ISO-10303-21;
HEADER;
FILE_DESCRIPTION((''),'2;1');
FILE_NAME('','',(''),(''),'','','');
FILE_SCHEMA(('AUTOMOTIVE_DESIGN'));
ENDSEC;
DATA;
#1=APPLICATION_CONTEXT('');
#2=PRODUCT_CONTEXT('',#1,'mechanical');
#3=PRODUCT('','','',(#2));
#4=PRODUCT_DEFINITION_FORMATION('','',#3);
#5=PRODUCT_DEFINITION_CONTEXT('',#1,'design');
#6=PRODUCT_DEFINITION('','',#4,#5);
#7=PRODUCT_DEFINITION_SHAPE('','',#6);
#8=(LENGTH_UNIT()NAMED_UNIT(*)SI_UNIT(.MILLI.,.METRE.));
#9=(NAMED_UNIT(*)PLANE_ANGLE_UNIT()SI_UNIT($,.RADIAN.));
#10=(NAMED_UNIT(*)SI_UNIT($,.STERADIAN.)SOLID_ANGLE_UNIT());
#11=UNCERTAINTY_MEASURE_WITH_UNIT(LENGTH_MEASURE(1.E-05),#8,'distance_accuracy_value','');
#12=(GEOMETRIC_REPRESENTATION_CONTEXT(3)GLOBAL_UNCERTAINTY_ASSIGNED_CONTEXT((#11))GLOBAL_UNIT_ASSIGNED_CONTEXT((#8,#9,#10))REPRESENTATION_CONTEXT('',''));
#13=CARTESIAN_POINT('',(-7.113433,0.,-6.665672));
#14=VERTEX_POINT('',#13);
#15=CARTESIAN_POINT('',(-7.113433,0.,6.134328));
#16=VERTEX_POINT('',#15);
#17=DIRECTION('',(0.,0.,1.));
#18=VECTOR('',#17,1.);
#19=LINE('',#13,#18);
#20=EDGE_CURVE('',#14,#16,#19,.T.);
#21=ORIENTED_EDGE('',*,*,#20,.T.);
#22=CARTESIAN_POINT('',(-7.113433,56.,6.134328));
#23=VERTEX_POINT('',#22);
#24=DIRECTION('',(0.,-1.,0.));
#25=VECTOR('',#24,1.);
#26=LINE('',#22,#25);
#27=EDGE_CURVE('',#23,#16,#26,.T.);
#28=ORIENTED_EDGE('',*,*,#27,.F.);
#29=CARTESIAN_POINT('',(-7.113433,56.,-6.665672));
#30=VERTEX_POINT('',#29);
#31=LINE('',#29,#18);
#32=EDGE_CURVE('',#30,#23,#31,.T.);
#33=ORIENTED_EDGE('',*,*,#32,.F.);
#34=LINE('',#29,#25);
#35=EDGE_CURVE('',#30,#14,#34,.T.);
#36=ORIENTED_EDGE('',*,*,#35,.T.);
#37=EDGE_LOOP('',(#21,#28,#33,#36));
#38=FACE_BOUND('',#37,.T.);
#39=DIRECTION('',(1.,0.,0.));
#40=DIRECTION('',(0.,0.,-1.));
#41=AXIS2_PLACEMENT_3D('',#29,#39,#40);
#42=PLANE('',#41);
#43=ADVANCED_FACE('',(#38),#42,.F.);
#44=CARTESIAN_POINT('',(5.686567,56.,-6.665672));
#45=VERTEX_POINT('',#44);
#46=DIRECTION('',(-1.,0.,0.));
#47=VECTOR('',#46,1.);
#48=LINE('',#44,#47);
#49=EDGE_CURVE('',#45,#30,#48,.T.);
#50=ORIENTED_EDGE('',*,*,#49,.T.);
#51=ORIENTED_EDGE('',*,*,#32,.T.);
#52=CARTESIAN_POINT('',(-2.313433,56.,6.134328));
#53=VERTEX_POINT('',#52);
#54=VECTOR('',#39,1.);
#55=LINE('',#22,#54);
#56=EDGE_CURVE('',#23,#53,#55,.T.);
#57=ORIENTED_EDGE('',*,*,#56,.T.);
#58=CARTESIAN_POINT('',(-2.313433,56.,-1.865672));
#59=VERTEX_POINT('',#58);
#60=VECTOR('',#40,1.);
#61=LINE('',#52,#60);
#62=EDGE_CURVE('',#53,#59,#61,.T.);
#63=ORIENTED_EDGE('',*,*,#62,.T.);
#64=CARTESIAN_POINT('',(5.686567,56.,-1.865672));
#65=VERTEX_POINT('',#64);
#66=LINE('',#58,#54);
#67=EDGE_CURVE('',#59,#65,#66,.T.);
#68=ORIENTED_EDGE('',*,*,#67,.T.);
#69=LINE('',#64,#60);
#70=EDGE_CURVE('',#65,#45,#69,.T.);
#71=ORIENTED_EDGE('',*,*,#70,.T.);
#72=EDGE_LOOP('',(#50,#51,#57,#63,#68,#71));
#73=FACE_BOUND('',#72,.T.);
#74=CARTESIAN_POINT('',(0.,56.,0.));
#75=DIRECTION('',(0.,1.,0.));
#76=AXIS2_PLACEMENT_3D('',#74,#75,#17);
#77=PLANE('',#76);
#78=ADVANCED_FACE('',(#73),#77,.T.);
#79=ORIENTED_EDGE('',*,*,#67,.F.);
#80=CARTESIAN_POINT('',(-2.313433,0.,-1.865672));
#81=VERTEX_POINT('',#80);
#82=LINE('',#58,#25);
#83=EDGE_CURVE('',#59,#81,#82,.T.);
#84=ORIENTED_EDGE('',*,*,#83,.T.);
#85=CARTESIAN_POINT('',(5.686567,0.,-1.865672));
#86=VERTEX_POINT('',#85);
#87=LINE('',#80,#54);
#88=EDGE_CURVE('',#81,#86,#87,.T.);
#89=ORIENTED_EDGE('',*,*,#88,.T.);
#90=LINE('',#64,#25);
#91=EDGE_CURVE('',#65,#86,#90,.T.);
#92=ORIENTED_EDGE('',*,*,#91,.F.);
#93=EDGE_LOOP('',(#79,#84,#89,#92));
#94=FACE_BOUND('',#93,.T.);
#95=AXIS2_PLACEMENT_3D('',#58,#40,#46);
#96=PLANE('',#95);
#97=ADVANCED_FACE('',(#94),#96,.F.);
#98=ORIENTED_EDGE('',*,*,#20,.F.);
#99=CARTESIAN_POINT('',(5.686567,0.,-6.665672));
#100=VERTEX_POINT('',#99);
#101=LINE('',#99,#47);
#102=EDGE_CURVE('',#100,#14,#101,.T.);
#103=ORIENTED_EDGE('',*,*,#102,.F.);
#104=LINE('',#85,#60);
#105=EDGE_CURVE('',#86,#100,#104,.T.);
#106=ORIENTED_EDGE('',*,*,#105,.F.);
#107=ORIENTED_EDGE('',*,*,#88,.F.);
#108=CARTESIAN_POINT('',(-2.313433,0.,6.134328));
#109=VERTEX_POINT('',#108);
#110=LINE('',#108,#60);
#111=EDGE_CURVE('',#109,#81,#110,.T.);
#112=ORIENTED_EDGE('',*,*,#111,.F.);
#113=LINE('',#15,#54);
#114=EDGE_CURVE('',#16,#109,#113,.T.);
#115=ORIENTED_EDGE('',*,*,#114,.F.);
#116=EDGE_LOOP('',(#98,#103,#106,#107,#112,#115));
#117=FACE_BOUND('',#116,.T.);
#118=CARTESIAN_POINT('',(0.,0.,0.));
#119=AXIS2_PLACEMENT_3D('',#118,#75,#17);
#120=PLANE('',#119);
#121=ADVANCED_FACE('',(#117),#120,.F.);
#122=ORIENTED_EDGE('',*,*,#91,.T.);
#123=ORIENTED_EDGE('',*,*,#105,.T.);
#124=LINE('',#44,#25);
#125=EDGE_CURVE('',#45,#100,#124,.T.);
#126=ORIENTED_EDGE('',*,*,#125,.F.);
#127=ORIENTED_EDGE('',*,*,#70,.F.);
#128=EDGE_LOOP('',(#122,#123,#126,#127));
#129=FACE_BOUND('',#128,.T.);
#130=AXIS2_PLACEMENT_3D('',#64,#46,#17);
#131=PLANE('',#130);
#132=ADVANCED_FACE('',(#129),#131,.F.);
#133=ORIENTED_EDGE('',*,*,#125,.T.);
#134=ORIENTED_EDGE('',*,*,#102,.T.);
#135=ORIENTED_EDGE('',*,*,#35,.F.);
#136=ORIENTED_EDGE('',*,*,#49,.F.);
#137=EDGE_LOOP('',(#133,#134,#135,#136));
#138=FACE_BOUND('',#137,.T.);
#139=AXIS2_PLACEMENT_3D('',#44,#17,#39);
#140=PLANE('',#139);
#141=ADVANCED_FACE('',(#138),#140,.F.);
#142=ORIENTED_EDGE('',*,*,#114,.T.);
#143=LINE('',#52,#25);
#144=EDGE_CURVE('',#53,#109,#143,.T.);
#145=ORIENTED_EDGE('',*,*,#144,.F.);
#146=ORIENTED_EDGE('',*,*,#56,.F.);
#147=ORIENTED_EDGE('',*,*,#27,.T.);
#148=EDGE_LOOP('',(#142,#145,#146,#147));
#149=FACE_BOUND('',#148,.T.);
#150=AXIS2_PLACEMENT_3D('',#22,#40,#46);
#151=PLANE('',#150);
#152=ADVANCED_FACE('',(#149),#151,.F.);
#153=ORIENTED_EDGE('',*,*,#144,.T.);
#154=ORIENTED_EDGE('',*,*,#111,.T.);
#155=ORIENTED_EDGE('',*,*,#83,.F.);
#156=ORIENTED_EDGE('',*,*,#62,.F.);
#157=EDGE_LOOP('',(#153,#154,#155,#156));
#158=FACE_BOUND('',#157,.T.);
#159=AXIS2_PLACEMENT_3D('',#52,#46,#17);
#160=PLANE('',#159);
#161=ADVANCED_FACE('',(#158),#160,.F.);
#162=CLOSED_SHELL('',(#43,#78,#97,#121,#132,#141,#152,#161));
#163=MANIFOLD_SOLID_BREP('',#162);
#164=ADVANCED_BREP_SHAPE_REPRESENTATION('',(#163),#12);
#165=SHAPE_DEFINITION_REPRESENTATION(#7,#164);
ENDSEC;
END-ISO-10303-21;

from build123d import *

# Parameters (mm, degrees)
BOSS_EXTRUDE1_DEPTH = 56


with BuildPart() as part:
    # Sketch1 → Boss-Extrude1 (new body)
    with BuildSketch(Plane(origin=(0, 0, 0), x_dir=(1, 0, 0), z_dir=(0, 1, 0))):
        Polygon((-7.113432836, 6.665671642), (-7.113432836, -6.134328358), (-2.313432836, -6.134328358), (-2.313432836, 1.865671642), (5.686567164, 1.865671642), (5.686567164, 6.665671642), align=None)
    extrude(amount=BOSS_EXTRUDE1_DEPTH)


solid = part.part
